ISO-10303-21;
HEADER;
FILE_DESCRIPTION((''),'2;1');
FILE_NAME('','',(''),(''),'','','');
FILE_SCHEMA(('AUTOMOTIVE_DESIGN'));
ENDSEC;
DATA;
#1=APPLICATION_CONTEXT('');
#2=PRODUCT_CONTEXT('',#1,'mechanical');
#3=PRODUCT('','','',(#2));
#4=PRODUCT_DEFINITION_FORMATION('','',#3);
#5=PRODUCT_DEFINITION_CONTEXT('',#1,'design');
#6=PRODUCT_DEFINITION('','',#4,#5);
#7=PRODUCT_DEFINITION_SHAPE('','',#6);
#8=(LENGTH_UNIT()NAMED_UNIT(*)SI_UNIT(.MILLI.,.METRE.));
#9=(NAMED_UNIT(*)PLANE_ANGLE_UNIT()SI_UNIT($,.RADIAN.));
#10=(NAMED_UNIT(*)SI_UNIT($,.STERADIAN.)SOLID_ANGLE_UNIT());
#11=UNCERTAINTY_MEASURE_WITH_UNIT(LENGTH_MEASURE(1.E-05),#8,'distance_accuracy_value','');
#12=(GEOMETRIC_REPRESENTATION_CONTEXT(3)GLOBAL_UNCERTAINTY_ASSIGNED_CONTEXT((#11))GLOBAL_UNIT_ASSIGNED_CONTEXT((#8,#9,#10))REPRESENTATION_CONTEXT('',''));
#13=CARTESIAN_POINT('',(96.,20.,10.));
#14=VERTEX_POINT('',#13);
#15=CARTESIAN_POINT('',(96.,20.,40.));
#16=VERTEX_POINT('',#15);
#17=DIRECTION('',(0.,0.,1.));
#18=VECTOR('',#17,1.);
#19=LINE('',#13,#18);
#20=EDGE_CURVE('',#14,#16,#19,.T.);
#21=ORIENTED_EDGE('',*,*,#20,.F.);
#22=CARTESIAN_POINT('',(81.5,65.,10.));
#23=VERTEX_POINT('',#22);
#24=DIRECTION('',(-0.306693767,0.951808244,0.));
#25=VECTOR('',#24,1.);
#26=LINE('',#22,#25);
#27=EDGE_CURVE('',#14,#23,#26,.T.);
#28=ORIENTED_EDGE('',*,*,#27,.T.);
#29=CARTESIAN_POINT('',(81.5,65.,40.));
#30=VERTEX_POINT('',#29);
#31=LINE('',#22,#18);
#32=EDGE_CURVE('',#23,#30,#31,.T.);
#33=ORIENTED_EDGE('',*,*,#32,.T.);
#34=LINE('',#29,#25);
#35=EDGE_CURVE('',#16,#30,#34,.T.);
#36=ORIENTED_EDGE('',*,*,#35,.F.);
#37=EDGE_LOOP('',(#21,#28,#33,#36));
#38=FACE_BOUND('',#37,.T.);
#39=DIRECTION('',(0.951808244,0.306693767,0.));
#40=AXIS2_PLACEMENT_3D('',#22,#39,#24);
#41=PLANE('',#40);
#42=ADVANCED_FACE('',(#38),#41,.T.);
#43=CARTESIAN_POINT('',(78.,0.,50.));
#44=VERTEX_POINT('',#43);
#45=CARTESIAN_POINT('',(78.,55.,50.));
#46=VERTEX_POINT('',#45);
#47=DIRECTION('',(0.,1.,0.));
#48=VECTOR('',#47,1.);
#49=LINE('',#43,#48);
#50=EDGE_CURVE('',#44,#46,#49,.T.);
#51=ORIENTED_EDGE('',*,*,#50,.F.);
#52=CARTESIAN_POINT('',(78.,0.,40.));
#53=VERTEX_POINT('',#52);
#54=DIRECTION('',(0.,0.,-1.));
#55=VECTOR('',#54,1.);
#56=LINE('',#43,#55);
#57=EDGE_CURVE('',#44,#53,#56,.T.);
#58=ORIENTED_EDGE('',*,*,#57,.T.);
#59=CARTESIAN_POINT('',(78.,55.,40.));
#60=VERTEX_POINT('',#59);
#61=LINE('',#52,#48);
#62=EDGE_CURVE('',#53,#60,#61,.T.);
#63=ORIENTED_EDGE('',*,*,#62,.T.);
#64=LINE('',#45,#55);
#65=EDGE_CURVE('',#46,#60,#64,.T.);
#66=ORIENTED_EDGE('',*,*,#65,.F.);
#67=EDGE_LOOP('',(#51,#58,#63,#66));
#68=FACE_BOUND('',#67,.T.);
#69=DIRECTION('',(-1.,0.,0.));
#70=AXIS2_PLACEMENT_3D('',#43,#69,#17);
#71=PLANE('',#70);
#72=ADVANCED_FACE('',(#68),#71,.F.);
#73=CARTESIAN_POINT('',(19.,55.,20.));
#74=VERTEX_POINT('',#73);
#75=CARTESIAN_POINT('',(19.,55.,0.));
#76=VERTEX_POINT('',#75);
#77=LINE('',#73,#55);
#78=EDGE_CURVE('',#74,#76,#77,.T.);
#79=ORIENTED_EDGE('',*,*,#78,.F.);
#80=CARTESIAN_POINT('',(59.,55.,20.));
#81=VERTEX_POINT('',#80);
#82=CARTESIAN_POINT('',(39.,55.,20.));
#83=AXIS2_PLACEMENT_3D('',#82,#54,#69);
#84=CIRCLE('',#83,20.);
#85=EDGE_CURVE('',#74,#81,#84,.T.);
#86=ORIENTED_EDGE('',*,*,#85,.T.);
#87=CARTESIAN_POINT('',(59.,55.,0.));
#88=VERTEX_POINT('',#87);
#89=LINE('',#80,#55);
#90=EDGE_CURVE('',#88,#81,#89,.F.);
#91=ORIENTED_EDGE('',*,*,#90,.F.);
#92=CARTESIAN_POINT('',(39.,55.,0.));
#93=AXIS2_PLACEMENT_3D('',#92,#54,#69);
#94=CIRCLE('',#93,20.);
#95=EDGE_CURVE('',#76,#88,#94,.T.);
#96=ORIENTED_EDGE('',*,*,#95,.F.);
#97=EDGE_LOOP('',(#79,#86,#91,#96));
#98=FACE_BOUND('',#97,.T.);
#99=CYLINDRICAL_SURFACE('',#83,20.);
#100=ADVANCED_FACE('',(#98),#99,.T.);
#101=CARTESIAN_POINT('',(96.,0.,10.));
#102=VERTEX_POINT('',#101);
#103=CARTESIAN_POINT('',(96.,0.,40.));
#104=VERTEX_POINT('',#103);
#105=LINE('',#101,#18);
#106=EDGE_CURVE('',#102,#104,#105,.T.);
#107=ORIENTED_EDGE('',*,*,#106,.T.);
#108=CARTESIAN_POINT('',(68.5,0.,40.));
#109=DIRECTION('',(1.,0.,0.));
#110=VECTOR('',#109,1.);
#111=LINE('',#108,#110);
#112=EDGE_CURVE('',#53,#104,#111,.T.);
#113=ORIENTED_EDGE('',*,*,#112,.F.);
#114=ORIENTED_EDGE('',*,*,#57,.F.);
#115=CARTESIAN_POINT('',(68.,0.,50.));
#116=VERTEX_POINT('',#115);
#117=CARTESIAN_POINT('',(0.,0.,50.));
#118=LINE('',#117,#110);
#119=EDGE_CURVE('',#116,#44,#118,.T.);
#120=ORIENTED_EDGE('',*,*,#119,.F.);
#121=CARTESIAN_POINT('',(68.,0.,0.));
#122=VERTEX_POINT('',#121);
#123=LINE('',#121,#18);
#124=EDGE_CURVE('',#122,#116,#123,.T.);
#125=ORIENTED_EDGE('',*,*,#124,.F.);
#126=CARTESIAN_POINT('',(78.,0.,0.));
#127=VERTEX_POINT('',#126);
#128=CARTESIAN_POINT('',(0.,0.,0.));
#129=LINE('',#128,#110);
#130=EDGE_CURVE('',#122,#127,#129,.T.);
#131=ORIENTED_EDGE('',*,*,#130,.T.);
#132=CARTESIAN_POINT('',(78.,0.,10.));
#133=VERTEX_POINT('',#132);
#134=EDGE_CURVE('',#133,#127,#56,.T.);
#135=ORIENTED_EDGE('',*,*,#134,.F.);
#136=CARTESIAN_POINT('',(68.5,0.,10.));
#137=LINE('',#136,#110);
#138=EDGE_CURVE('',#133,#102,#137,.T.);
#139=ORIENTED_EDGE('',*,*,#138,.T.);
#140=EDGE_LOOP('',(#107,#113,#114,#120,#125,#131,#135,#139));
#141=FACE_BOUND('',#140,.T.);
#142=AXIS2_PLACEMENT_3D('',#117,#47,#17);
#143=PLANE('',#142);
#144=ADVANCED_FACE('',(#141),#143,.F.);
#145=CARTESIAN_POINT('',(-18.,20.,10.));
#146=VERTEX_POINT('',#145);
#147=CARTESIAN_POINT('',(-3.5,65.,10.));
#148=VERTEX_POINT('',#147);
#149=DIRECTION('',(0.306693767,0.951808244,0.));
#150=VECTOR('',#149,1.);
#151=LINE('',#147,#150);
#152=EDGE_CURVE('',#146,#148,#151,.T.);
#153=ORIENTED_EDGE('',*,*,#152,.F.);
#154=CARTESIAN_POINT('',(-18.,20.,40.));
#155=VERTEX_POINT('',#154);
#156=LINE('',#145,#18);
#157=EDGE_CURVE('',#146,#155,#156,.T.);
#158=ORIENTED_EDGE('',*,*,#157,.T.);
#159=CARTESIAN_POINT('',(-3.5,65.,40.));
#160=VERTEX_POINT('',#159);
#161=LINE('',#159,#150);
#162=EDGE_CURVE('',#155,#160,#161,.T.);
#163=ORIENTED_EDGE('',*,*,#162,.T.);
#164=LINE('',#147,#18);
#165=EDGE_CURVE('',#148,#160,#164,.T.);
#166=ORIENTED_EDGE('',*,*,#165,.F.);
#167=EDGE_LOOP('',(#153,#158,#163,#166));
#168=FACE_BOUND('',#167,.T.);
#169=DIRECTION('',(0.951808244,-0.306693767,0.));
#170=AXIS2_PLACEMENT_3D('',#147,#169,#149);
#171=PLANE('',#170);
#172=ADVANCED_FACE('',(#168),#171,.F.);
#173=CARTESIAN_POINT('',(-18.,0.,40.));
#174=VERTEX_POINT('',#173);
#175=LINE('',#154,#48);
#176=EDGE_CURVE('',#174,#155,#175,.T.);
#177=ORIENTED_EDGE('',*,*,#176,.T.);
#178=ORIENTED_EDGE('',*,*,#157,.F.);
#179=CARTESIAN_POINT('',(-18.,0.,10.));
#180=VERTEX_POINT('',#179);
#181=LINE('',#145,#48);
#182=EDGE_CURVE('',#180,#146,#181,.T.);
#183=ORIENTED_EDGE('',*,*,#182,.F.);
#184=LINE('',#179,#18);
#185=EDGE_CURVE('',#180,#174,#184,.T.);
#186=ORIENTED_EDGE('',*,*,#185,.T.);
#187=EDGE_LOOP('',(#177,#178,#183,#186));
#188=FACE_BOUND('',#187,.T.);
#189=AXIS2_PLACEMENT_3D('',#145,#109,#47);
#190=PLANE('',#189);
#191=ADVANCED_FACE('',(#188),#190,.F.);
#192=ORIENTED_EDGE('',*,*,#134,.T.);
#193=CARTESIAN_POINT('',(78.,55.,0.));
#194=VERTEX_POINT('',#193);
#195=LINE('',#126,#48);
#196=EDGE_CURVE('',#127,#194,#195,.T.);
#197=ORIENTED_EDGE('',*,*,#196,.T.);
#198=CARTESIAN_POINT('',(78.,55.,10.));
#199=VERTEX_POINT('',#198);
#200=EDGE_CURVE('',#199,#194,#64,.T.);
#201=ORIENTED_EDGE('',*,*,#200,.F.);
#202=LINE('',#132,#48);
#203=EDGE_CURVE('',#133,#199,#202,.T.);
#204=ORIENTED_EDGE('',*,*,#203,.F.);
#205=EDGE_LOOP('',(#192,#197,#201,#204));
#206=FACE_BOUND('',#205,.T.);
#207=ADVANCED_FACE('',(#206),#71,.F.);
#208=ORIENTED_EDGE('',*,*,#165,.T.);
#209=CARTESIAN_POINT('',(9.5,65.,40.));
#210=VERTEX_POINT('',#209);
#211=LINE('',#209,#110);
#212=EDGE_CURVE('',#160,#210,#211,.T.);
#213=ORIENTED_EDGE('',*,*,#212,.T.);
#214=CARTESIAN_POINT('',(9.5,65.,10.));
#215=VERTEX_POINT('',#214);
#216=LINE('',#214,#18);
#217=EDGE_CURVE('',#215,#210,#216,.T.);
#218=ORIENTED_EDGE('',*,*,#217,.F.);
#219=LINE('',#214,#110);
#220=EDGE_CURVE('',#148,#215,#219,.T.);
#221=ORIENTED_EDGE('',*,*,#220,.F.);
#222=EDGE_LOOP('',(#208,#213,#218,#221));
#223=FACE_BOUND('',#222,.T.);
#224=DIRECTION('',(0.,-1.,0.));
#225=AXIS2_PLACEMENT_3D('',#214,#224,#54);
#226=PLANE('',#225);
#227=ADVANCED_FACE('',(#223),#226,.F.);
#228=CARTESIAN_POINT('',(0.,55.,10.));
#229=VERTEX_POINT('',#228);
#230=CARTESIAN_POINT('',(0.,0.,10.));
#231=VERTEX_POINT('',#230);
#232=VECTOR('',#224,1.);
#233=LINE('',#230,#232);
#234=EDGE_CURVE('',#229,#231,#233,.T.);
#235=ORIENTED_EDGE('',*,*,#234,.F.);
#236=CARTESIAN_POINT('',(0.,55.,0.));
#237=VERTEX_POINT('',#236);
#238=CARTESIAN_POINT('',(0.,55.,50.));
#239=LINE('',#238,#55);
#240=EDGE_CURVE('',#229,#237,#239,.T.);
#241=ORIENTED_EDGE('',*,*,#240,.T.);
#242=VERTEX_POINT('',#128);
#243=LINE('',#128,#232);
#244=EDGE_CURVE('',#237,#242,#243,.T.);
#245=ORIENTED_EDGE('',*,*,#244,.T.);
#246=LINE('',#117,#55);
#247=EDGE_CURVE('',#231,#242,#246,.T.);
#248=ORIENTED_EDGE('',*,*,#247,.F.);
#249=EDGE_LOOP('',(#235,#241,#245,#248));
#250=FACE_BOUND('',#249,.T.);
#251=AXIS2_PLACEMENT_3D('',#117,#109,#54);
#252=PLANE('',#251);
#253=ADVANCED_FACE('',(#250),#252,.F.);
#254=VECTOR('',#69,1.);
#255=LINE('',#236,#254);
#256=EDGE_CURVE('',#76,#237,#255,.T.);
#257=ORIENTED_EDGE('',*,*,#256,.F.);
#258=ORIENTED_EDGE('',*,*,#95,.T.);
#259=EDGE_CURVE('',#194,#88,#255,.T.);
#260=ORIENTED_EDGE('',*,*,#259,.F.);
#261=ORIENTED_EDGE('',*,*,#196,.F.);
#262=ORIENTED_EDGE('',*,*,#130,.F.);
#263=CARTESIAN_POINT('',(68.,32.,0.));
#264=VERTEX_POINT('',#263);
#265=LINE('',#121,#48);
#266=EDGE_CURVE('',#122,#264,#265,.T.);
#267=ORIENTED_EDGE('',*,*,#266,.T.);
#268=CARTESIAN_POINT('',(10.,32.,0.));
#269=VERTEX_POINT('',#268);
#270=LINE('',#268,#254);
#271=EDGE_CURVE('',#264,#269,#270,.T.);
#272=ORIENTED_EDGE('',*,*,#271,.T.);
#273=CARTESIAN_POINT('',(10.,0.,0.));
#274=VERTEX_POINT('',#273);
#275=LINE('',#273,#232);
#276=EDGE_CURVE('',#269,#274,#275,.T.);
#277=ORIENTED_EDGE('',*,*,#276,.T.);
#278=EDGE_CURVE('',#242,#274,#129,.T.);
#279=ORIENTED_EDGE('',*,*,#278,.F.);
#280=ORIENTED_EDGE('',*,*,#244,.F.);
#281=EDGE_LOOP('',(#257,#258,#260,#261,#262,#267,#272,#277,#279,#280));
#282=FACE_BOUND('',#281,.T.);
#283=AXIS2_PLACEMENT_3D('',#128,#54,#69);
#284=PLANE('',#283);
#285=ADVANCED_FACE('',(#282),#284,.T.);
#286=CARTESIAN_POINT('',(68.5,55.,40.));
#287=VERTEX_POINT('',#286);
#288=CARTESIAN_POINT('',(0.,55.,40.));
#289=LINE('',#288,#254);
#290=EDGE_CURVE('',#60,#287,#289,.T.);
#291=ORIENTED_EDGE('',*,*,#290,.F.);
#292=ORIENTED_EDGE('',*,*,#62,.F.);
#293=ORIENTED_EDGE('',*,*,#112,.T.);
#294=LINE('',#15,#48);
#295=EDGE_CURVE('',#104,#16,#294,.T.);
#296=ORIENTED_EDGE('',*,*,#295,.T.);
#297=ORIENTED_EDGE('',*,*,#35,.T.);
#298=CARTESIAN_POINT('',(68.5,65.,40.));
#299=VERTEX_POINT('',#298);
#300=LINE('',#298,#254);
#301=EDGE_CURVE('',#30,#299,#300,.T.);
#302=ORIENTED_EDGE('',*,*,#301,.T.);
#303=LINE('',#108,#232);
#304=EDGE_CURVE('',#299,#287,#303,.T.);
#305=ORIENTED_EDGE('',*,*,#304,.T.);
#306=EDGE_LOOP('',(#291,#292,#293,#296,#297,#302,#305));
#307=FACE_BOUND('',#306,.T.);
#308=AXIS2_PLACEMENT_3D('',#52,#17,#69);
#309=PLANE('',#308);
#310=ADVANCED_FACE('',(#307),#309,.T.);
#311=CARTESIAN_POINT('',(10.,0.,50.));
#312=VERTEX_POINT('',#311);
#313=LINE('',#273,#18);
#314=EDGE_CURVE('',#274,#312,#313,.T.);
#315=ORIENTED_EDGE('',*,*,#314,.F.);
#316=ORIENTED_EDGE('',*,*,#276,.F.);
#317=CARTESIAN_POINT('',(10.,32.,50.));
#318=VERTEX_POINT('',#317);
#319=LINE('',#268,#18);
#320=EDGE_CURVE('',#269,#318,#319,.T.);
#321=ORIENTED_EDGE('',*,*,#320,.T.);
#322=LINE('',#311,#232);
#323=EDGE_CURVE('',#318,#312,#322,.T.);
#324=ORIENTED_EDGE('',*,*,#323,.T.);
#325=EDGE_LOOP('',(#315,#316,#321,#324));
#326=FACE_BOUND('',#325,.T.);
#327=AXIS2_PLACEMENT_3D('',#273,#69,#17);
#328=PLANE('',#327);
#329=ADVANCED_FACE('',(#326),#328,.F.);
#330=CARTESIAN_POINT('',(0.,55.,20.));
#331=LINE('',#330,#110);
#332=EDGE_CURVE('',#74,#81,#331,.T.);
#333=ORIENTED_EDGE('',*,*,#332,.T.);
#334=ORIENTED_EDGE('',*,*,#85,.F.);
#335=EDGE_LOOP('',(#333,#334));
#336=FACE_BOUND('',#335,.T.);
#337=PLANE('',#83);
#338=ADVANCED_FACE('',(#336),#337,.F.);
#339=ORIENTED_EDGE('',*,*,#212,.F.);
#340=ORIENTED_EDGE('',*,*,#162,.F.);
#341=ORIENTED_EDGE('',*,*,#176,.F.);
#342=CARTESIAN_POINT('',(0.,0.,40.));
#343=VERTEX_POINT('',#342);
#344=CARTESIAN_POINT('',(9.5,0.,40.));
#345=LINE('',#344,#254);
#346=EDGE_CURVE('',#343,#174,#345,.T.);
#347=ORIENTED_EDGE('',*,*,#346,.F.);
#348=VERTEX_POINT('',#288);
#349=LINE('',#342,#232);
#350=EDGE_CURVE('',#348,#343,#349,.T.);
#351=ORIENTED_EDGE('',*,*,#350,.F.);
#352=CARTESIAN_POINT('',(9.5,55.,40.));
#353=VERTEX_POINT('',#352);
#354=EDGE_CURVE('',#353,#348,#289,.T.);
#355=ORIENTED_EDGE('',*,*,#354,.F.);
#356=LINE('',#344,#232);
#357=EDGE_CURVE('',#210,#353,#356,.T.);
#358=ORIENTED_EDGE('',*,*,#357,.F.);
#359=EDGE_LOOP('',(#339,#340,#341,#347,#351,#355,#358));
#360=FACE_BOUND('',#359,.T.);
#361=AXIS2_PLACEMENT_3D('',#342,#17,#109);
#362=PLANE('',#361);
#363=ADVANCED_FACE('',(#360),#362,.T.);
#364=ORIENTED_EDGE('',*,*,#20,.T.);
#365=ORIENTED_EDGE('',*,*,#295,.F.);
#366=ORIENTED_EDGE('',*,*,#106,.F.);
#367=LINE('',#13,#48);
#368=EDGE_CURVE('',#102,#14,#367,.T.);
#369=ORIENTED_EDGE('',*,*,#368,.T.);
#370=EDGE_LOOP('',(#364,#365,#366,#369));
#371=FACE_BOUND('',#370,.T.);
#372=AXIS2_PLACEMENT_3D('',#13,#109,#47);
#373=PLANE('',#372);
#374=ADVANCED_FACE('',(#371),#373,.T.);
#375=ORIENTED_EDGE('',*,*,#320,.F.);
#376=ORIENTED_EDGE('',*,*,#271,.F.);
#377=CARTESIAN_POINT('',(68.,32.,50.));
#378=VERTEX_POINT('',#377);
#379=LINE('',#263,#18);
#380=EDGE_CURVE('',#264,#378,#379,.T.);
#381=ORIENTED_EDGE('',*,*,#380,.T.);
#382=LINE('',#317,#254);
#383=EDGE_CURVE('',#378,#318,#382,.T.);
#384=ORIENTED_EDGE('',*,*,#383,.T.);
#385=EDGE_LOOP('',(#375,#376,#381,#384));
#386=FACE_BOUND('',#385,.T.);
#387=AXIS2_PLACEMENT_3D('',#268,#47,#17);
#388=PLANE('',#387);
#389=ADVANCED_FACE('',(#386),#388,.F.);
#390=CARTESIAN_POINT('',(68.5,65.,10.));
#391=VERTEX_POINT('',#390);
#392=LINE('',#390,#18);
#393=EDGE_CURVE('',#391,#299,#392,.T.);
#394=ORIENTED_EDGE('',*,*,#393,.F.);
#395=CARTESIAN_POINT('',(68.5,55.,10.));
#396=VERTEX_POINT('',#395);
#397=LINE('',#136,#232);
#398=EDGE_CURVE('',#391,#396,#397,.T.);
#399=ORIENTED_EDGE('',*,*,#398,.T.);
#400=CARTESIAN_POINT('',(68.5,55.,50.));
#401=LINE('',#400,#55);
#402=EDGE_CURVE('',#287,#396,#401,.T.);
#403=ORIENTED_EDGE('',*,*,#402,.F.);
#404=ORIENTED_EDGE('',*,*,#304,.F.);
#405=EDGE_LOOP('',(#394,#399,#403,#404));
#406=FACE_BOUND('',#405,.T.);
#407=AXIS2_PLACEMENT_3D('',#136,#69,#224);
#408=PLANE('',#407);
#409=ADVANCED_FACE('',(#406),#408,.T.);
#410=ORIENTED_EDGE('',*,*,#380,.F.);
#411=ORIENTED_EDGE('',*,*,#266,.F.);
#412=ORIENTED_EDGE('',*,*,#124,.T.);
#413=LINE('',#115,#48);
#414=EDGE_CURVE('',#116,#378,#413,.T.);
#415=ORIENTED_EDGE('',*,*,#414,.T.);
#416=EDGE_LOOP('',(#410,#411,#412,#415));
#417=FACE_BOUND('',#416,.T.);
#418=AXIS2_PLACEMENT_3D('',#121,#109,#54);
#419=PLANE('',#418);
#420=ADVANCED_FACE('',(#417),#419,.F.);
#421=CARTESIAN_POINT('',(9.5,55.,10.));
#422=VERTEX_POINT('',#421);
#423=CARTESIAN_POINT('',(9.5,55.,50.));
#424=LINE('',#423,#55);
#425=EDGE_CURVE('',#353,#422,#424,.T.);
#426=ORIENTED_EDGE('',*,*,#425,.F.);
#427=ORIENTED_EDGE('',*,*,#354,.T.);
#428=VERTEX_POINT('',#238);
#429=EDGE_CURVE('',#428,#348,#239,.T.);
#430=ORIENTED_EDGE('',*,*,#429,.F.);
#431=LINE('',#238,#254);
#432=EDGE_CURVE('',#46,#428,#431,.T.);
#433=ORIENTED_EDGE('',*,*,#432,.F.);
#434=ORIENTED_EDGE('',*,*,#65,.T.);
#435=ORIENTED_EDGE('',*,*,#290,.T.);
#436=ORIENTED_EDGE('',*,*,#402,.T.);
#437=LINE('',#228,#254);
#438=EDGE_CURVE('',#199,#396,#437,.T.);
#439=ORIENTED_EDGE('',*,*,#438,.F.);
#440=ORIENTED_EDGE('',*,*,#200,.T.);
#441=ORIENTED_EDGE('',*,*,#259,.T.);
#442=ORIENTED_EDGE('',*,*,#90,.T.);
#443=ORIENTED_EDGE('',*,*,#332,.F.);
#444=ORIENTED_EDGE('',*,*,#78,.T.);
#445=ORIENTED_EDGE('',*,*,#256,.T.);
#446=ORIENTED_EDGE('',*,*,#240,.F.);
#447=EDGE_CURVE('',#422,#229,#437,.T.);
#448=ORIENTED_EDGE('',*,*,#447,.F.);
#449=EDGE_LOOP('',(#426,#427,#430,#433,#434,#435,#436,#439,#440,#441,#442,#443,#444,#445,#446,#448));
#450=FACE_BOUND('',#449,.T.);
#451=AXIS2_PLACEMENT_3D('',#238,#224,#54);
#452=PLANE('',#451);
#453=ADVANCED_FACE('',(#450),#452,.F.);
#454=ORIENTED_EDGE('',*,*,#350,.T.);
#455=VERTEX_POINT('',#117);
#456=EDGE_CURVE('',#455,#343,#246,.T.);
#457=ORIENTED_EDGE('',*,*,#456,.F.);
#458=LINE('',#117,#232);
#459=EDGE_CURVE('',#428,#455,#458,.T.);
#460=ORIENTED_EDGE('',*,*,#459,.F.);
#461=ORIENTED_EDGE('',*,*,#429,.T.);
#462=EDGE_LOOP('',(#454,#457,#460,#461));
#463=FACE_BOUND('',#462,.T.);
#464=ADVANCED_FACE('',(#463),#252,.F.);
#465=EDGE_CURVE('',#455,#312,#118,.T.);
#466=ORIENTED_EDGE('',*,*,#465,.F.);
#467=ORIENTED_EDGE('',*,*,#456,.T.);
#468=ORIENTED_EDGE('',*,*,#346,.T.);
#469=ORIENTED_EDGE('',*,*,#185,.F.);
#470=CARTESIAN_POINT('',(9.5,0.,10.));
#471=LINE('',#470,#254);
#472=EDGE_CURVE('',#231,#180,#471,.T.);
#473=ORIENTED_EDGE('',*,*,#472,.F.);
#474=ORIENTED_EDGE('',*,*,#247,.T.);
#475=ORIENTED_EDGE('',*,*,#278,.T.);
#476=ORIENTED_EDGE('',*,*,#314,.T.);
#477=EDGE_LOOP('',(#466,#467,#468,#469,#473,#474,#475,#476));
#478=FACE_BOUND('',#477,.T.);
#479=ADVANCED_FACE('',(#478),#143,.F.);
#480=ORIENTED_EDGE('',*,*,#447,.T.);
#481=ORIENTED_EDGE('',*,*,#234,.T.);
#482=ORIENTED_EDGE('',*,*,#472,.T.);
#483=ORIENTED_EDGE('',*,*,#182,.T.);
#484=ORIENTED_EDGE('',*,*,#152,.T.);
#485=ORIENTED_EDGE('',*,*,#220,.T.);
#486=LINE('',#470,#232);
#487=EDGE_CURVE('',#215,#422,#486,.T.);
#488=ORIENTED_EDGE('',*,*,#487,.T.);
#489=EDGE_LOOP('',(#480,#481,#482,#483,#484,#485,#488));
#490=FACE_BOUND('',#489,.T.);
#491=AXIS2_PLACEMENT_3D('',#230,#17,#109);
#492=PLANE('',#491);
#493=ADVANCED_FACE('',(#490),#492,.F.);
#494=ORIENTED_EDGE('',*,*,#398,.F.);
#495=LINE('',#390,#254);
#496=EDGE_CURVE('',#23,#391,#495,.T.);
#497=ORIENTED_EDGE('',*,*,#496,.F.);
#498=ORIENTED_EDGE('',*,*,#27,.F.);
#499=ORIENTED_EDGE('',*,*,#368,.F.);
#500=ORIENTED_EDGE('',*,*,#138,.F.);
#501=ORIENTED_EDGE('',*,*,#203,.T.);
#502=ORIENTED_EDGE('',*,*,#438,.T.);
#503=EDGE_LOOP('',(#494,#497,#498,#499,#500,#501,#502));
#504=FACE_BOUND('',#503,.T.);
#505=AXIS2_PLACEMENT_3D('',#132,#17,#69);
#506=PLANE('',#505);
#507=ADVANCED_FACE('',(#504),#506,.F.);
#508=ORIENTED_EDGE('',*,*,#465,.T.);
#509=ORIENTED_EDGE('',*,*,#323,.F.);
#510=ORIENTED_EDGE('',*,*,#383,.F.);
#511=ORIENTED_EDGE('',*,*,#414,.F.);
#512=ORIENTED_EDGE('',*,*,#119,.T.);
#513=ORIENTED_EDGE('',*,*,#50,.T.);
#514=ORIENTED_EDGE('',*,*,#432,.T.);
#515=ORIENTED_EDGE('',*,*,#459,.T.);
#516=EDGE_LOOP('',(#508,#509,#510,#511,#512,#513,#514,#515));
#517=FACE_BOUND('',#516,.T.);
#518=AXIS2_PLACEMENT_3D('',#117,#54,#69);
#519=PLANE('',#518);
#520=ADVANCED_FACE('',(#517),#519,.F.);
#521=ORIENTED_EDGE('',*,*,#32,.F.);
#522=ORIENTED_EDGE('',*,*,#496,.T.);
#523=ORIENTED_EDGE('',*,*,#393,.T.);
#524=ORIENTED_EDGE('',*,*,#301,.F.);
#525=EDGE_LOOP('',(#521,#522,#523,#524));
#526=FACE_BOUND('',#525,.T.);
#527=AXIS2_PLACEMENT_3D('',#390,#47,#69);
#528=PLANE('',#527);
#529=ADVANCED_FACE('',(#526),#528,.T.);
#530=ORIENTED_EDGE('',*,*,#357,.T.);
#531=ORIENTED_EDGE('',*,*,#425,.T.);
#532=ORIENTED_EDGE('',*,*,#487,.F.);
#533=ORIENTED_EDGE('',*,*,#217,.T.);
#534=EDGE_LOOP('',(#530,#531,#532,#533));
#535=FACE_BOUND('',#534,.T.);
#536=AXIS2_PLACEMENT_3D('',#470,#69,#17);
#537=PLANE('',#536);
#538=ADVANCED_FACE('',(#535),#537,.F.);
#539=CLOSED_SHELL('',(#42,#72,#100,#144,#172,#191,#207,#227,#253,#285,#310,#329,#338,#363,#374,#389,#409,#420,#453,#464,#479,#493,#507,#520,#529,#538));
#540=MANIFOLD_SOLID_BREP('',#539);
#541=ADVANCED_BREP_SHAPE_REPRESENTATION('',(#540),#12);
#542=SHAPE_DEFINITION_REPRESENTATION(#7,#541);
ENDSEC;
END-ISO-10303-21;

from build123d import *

# Parameters (mm, degrees)
SKETCH15_W           = 78
SKETCH15_H           = 55
BOSS_EXTRUDE9_DEPTH  = 50
SKETCH16_W           = 58
SKETCH16_H           = 32
CUT_EXTRUDE3_DEPTH   = 50
SKETCH17_R           = 20
BOSS_EXTRUDE10_DEPTH = 20
BOSS_EXTRUDE11_DEPTH = 15


with BuildPart() as part:
    # Sketch15 → Boss-Extrude9 (new body)
    with BuildSketch(Plane.XY):
        with Locations((39, 27.5)):
            Rectangle(SKETCH15_W, SKETCH15_H)
    extrude(amount=BOSS_EXTRUDE9_DEPTH)

    # Sketch16 → Cut-Extrude3 (cut)
    with BuildSketch(Plane.XY.offset(50)):
        with Locations((39, 16)):
            Rectangle(SKETCH16_W, SKETCH16_H)
    extrude(amount=-CUT_EXTRUDE3_DEPTH, mode=Mode.SUBTRACT)

    # Sketch17 → Boss-Extrude10 (add)
    with BuildSketch(Plane(origin=(0, 0, 0), x_dir=(-1, 0, 0), z_dir=(0, 0, -1))):
        with Locations((-39, 55)):
            Circle(SKETCH17_R)
    extrude(amount=-BOSS_EXTRUDE10_DEPTH)

    # Sketch21 → Boss-Extrude11 (add, symmetric)
    with BuildSketch(Plane(origin=(0, 0, 25), x_dir=(-1, 0, 0), z_dir=(0, 0, -1))):
        Polygon((-9.5, 0), (18, 0), (18, 20), (3.5, 65), (-9.5, 65), align=None)
    boss_extrude11 = extrude(amount=BOSS_EXTRUDE11_DEPTH, both=True)

    # Mirror4: Boss-Extrude11 across plane
    add(boss_extrude11.mirror(Plane.ZY.offset(-39)))


solid = part.part
